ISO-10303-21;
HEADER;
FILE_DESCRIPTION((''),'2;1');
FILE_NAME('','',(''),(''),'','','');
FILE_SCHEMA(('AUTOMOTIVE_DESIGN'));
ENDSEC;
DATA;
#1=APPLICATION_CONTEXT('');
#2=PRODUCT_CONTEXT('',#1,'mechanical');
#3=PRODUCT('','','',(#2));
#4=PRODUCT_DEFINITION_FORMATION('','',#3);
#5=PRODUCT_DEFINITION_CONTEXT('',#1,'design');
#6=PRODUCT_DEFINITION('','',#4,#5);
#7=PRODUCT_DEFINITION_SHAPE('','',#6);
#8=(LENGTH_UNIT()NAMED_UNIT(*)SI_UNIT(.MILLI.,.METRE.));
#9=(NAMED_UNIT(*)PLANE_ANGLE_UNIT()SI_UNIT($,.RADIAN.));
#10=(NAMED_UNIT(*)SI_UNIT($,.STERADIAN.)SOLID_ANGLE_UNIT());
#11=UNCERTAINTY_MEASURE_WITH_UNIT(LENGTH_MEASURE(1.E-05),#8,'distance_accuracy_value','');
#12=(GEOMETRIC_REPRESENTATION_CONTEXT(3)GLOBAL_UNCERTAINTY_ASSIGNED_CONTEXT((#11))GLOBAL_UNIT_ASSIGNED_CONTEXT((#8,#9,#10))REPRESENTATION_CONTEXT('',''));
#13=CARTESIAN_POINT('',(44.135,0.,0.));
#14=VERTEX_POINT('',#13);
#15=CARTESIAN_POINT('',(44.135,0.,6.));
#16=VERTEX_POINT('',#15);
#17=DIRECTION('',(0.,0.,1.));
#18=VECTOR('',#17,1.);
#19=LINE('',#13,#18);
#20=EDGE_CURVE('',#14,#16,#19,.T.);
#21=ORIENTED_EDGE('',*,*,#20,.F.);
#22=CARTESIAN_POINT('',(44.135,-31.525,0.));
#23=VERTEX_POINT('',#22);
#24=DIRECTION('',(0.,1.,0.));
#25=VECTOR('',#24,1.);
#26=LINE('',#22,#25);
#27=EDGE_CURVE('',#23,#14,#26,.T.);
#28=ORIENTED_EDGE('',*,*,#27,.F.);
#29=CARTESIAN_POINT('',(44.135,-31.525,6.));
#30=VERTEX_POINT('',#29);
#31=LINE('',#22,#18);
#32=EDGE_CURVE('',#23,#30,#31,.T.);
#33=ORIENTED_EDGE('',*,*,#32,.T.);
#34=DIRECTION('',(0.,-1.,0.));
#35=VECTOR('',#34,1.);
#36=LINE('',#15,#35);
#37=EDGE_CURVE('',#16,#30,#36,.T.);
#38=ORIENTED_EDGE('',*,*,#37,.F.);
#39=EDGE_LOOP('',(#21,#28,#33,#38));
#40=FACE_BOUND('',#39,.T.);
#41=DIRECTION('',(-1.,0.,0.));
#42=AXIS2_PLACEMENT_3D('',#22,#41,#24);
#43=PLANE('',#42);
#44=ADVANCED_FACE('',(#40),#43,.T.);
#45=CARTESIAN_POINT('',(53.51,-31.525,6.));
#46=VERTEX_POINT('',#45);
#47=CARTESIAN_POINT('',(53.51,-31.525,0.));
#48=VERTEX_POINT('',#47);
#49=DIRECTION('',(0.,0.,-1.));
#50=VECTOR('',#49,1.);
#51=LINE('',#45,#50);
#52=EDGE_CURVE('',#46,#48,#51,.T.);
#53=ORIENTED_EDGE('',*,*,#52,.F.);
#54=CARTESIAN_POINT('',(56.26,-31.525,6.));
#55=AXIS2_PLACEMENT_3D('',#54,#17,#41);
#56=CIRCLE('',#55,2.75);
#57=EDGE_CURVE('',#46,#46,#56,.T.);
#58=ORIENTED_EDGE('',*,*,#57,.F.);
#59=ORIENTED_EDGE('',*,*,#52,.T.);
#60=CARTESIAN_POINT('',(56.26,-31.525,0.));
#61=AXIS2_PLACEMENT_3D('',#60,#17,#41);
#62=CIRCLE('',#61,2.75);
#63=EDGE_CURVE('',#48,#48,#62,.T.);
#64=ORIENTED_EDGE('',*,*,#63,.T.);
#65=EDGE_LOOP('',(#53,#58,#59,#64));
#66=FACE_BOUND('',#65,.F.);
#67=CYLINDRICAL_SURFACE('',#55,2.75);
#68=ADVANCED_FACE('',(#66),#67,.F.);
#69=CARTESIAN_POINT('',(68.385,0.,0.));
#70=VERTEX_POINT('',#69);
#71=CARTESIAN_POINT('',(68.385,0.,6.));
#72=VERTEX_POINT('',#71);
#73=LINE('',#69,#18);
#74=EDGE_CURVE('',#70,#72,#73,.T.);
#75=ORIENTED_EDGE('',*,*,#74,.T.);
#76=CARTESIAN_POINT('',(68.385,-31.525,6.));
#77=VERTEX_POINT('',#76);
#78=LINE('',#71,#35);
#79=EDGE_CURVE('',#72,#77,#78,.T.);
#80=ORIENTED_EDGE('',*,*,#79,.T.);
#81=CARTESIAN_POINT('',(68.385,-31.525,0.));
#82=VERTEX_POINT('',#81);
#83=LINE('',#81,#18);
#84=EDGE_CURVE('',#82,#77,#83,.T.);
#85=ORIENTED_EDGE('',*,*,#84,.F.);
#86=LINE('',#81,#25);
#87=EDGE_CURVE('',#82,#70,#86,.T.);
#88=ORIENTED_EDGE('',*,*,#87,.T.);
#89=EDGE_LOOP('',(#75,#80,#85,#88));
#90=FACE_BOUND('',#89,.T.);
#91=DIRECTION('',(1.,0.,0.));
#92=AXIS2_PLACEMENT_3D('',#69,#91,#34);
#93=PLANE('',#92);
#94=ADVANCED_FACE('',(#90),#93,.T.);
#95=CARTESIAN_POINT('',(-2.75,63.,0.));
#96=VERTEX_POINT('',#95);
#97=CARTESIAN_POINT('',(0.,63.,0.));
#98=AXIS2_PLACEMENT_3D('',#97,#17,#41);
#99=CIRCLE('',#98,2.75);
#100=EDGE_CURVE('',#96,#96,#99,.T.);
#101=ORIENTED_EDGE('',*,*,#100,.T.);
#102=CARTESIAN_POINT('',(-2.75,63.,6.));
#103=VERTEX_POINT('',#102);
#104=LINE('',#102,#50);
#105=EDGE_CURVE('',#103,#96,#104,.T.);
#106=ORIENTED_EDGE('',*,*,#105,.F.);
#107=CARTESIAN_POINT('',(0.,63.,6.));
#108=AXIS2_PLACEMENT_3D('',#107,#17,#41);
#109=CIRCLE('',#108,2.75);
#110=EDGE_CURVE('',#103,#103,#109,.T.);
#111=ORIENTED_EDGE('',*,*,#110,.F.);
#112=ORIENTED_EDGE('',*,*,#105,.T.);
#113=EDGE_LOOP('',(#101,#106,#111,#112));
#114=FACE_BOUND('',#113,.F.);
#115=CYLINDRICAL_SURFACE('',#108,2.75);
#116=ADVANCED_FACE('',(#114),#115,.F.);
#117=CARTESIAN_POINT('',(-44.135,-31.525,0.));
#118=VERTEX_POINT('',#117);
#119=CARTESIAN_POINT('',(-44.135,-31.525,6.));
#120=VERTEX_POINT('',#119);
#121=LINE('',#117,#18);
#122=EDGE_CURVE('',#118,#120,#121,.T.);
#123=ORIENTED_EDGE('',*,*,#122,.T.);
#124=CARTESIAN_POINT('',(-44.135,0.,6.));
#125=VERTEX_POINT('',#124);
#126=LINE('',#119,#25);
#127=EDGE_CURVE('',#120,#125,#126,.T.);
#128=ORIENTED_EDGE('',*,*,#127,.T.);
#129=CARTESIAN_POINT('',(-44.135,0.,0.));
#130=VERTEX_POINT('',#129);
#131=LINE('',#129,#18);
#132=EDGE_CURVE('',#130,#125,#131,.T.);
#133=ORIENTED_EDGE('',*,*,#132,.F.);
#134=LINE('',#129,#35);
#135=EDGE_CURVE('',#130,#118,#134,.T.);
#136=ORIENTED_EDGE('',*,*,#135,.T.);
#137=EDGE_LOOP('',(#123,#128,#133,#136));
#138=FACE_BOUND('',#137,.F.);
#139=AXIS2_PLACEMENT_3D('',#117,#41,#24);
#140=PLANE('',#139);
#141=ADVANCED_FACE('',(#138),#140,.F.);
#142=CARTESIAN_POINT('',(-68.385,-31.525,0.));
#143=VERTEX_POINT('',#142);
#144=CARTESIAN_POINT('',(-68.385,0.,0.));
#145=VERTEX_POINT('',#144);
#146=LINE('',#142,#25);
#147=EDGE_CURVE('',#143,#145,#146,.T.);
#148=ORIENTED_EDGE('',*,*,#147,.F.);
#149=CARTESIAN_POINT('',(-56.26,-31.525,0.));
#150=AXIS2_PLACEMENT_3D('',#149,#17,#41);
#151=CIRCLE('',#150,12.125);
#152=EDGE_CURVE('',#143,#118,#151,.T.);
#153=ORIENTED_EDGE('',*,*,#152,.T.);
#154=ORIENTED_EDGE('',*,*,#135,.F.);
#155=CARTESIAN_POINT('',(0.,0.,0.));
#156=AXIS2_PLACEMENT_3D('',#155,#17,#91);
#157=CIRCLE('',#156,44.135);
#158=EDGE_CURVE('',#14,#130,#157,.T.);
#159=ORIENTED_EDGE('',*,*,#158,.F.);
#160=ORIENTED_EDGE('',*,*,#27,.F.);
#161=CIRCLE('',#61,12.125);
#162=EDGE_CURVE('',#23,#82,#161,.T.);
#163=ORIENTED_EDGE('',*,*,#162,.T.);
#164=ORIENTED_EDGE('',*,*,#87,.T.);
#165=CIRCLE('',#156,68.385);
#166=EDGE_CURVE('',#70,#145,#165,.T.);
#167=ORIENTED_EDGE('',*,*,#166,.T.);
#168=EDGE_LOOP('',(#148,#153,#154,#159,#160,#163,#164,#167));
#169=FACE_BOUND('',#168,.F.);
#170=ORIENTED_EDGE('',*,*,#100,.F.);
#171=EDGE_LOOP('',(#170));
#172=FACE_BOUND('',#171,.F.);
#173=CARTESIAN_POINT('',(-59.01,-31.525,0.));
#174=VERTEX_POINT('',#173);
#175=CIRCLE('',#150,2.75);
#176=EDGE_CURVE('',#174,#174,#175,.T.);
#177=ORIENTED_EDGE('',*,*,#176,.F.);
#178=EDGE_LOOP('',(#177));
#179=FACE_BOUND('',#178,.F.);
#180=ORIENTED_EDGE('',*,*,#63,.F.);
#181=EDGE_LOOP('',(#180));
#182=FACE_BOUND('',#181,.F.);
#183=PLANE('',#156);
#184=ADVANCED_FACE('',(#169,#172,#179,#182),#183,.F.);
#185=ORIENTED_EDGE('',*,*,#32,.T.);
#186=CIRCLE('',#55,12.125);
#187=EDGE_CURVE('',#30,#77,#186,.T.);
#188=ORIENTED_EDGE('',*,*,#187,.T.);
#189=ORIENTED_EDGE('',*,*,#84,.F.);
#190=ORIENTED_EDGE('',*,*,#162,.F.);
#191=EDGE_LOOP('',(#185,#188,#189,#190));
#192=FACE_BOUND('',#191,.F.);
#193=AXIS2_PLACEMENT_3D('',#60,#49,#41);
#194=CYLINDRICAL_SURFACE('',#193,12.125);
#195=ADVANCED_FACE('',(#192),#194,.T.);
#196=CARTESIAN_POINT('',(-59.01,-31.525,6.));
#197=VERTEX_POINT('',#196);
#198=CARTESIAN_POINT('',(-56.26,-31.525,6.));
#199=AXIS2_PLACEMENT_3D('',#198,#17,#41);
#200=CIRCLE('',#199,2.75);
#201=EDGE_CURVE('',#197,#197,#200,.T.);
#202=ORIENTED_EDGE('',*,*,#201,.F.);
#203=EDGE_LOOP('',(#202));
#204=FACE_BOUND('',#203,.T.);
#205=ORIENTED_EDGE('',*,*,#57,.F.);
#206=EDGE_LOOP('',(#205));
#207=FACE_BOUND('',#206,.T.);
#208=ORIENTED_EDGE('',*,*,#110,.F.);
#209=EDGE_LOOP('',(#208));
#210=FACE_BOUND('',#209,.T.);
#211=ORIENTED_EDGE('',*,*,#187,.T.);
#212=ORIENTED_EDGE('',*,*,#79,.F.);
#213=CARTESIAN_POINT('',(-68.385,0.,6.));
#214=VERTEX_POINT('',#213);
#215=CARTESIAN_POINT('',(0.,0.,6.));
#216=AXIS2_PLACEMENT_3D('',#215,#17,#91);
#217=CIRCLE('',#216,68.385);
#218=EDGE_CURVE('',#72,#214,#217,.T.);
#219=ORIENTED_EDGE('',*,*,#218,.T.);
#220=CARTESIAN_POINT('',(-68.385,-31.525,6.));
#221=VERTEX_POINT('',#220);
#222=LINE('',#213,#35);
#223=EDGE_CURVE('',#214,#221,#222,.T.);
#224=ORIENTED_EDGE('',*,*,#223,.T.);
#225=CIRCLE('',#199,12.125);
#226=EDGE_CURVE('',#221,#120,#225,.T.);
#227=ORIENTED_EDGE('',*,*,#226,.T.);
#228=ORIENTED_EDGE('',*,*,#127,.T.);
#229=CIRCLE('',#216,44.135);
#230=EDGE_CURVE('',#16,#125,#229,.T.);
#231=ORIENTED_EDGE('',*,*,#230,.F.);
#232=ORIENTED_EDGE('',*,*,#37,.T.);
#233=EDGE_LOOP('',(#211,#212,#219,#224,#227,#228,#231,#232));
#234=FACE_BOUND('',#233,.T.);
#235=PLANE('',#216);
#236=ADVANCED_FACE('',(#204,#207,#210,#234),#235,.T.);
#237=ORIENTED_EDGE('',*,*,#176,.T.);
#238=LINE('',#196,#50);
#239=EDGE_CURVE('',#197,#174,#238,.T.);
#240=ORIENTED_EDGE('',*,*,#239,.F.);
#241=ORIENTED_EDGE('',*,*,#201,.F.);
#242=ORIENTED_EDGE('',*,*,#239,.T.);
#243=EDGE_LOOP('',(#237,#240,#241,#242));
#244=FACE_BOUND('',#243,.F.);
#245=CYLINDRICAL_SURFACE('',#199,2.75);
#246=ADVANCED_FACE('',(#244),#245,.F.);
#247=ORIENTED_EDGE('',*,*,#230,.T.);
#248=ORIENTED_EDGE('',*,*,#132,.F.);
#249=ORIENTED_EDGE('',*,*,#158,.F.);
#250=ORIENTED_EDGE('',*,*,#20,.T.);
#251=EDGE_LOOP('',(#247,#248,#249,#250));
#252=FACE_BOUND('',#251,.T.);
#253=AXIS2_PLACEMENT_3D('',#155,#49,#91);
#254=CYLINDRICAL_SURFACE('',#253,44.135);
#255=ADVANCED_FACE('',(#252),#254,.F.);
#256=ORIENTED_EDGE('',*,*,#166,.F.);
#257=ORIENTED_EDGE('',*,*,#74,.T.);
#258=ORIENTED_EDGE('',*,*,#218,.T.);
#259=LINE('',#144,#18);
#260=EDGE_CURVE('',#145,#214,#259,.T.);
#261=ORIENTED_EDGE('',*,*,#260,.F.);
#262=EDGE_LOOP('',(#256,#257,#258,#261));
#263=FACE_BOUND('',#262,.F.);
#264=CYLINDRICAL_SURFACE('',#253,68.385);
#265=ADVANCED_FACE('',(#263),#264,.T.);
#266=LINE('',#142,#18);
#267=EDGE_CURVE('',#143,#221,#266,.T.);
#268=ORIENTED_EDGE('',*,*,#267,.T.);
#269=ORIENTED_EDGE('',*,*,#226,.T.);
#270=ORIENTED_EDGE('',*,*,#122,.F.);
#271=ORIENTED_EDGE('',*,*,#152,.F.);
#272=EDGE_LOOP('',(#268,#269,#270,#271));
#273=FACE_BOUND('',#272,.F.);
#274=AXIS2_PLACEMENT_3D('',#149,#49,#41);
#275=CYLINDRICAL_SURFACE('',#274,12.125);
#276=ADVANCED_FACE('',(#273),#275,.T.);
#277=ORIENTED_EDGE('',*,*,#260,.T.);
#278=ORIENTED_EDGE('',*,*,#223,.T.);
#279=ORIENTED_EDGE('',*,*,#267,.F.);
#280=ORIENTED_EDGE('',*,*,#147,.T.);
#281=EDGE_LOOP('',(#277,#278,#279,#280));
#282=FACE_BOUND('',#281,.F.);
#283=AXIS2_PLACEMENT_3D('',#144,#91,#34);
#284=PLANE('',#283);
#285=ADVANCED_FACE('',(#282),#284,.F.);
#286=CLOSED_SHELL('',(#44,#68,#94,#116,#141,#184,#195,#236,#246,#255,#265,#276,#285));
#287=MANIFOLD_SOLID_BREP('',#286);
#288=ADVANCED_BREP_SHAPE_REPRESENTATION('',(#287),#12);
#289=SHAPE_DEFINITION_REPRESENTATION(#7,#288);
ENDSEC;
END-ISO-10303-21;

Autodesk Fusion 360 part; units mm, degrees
sketch "Sketch1" plane through (0, 0, 0) normal (0, 0, 1) x (1, 0, 0)
  line L0 (68.385, 0) -> (68.385, -31.04)
  line L1 (44.135, 0) -> (44.135, -31.04)
  line L2 (68.385, -31.525) -> (68.385, -31.04)
  line L3 (44.135, -31.525) -> (44.135, -31.04)
  line L4 (-68.385, 0) -> (-68.385, -31.04)
  line L5 (-44.135, 0) -> (-44.135, -31.04)
  line L6 (-68.385, -31.525) -> (-68.385, -31.04)
  line L7 (-44.135, -31.525) -> (-44.135, -31.04)
  arc A0 (44.135, 0) -> (-44.135, 0) centre (0, 0) ccw
  arc A1 (68.385, 0) -> (-68.385, 0) centre (0, 0) ccw
  arc A2 (44.135, -31.525) -> (68.385, -31.525) centre (56.26, -31.525) ccw
  arc A3 (-68.385, -31.525) -> (-44.135, -31.525) centre (-56.26, -31.525) ccw
extrude "Extrude5" add sketch "Sketch1" along normal blind 6
sketch "Sketch4" plane through (0, 0, 0) normal (0, 0, 1) x (1, 0, 0)
sketch "Sketch5" plane through (0, 0, 6) normal (0, 0, 1) x (-1, 0, 0)
  arc A0 (-68.385, 0) -> (68.385, 0) centre (0, 0) ccw
  line L0 (68.385, 0) -> (68.385, 31.525)
  arc A1 (68.385, 31.525) -> (44.135, 31.525) centre (56.26, 31.525) ccw
  line L1 (44.135, 31.525) -> (44.135, 0)
  arc A2 (-44.135, 0) -> (44.135, 0) centre (0, 0) ccw
  line L2 (-44.135, 0) -> (-44.135, 31.525)
  arc A3 (-44.135, 31.525) -> (-68.385, 31.525) centre (-56.26, 31.525) ccw
  line L3 (-68.385, 31.525) -> (-68.385, 0)
  circle A4 centre (56.26, 31.525) radius 2.75
  circle A5 centre (-56.26, 31.525) radius 2.75
  circle A6 centre (0, -63) radius 2.75
  dimension "d79" = 5.5
  dimension "d80" = 5.5
  dimension "d82" = 5.5
extrude "Extrude6" cut sketch "Sketch5" against normal blind 6 contours A4 | A5 | A6
